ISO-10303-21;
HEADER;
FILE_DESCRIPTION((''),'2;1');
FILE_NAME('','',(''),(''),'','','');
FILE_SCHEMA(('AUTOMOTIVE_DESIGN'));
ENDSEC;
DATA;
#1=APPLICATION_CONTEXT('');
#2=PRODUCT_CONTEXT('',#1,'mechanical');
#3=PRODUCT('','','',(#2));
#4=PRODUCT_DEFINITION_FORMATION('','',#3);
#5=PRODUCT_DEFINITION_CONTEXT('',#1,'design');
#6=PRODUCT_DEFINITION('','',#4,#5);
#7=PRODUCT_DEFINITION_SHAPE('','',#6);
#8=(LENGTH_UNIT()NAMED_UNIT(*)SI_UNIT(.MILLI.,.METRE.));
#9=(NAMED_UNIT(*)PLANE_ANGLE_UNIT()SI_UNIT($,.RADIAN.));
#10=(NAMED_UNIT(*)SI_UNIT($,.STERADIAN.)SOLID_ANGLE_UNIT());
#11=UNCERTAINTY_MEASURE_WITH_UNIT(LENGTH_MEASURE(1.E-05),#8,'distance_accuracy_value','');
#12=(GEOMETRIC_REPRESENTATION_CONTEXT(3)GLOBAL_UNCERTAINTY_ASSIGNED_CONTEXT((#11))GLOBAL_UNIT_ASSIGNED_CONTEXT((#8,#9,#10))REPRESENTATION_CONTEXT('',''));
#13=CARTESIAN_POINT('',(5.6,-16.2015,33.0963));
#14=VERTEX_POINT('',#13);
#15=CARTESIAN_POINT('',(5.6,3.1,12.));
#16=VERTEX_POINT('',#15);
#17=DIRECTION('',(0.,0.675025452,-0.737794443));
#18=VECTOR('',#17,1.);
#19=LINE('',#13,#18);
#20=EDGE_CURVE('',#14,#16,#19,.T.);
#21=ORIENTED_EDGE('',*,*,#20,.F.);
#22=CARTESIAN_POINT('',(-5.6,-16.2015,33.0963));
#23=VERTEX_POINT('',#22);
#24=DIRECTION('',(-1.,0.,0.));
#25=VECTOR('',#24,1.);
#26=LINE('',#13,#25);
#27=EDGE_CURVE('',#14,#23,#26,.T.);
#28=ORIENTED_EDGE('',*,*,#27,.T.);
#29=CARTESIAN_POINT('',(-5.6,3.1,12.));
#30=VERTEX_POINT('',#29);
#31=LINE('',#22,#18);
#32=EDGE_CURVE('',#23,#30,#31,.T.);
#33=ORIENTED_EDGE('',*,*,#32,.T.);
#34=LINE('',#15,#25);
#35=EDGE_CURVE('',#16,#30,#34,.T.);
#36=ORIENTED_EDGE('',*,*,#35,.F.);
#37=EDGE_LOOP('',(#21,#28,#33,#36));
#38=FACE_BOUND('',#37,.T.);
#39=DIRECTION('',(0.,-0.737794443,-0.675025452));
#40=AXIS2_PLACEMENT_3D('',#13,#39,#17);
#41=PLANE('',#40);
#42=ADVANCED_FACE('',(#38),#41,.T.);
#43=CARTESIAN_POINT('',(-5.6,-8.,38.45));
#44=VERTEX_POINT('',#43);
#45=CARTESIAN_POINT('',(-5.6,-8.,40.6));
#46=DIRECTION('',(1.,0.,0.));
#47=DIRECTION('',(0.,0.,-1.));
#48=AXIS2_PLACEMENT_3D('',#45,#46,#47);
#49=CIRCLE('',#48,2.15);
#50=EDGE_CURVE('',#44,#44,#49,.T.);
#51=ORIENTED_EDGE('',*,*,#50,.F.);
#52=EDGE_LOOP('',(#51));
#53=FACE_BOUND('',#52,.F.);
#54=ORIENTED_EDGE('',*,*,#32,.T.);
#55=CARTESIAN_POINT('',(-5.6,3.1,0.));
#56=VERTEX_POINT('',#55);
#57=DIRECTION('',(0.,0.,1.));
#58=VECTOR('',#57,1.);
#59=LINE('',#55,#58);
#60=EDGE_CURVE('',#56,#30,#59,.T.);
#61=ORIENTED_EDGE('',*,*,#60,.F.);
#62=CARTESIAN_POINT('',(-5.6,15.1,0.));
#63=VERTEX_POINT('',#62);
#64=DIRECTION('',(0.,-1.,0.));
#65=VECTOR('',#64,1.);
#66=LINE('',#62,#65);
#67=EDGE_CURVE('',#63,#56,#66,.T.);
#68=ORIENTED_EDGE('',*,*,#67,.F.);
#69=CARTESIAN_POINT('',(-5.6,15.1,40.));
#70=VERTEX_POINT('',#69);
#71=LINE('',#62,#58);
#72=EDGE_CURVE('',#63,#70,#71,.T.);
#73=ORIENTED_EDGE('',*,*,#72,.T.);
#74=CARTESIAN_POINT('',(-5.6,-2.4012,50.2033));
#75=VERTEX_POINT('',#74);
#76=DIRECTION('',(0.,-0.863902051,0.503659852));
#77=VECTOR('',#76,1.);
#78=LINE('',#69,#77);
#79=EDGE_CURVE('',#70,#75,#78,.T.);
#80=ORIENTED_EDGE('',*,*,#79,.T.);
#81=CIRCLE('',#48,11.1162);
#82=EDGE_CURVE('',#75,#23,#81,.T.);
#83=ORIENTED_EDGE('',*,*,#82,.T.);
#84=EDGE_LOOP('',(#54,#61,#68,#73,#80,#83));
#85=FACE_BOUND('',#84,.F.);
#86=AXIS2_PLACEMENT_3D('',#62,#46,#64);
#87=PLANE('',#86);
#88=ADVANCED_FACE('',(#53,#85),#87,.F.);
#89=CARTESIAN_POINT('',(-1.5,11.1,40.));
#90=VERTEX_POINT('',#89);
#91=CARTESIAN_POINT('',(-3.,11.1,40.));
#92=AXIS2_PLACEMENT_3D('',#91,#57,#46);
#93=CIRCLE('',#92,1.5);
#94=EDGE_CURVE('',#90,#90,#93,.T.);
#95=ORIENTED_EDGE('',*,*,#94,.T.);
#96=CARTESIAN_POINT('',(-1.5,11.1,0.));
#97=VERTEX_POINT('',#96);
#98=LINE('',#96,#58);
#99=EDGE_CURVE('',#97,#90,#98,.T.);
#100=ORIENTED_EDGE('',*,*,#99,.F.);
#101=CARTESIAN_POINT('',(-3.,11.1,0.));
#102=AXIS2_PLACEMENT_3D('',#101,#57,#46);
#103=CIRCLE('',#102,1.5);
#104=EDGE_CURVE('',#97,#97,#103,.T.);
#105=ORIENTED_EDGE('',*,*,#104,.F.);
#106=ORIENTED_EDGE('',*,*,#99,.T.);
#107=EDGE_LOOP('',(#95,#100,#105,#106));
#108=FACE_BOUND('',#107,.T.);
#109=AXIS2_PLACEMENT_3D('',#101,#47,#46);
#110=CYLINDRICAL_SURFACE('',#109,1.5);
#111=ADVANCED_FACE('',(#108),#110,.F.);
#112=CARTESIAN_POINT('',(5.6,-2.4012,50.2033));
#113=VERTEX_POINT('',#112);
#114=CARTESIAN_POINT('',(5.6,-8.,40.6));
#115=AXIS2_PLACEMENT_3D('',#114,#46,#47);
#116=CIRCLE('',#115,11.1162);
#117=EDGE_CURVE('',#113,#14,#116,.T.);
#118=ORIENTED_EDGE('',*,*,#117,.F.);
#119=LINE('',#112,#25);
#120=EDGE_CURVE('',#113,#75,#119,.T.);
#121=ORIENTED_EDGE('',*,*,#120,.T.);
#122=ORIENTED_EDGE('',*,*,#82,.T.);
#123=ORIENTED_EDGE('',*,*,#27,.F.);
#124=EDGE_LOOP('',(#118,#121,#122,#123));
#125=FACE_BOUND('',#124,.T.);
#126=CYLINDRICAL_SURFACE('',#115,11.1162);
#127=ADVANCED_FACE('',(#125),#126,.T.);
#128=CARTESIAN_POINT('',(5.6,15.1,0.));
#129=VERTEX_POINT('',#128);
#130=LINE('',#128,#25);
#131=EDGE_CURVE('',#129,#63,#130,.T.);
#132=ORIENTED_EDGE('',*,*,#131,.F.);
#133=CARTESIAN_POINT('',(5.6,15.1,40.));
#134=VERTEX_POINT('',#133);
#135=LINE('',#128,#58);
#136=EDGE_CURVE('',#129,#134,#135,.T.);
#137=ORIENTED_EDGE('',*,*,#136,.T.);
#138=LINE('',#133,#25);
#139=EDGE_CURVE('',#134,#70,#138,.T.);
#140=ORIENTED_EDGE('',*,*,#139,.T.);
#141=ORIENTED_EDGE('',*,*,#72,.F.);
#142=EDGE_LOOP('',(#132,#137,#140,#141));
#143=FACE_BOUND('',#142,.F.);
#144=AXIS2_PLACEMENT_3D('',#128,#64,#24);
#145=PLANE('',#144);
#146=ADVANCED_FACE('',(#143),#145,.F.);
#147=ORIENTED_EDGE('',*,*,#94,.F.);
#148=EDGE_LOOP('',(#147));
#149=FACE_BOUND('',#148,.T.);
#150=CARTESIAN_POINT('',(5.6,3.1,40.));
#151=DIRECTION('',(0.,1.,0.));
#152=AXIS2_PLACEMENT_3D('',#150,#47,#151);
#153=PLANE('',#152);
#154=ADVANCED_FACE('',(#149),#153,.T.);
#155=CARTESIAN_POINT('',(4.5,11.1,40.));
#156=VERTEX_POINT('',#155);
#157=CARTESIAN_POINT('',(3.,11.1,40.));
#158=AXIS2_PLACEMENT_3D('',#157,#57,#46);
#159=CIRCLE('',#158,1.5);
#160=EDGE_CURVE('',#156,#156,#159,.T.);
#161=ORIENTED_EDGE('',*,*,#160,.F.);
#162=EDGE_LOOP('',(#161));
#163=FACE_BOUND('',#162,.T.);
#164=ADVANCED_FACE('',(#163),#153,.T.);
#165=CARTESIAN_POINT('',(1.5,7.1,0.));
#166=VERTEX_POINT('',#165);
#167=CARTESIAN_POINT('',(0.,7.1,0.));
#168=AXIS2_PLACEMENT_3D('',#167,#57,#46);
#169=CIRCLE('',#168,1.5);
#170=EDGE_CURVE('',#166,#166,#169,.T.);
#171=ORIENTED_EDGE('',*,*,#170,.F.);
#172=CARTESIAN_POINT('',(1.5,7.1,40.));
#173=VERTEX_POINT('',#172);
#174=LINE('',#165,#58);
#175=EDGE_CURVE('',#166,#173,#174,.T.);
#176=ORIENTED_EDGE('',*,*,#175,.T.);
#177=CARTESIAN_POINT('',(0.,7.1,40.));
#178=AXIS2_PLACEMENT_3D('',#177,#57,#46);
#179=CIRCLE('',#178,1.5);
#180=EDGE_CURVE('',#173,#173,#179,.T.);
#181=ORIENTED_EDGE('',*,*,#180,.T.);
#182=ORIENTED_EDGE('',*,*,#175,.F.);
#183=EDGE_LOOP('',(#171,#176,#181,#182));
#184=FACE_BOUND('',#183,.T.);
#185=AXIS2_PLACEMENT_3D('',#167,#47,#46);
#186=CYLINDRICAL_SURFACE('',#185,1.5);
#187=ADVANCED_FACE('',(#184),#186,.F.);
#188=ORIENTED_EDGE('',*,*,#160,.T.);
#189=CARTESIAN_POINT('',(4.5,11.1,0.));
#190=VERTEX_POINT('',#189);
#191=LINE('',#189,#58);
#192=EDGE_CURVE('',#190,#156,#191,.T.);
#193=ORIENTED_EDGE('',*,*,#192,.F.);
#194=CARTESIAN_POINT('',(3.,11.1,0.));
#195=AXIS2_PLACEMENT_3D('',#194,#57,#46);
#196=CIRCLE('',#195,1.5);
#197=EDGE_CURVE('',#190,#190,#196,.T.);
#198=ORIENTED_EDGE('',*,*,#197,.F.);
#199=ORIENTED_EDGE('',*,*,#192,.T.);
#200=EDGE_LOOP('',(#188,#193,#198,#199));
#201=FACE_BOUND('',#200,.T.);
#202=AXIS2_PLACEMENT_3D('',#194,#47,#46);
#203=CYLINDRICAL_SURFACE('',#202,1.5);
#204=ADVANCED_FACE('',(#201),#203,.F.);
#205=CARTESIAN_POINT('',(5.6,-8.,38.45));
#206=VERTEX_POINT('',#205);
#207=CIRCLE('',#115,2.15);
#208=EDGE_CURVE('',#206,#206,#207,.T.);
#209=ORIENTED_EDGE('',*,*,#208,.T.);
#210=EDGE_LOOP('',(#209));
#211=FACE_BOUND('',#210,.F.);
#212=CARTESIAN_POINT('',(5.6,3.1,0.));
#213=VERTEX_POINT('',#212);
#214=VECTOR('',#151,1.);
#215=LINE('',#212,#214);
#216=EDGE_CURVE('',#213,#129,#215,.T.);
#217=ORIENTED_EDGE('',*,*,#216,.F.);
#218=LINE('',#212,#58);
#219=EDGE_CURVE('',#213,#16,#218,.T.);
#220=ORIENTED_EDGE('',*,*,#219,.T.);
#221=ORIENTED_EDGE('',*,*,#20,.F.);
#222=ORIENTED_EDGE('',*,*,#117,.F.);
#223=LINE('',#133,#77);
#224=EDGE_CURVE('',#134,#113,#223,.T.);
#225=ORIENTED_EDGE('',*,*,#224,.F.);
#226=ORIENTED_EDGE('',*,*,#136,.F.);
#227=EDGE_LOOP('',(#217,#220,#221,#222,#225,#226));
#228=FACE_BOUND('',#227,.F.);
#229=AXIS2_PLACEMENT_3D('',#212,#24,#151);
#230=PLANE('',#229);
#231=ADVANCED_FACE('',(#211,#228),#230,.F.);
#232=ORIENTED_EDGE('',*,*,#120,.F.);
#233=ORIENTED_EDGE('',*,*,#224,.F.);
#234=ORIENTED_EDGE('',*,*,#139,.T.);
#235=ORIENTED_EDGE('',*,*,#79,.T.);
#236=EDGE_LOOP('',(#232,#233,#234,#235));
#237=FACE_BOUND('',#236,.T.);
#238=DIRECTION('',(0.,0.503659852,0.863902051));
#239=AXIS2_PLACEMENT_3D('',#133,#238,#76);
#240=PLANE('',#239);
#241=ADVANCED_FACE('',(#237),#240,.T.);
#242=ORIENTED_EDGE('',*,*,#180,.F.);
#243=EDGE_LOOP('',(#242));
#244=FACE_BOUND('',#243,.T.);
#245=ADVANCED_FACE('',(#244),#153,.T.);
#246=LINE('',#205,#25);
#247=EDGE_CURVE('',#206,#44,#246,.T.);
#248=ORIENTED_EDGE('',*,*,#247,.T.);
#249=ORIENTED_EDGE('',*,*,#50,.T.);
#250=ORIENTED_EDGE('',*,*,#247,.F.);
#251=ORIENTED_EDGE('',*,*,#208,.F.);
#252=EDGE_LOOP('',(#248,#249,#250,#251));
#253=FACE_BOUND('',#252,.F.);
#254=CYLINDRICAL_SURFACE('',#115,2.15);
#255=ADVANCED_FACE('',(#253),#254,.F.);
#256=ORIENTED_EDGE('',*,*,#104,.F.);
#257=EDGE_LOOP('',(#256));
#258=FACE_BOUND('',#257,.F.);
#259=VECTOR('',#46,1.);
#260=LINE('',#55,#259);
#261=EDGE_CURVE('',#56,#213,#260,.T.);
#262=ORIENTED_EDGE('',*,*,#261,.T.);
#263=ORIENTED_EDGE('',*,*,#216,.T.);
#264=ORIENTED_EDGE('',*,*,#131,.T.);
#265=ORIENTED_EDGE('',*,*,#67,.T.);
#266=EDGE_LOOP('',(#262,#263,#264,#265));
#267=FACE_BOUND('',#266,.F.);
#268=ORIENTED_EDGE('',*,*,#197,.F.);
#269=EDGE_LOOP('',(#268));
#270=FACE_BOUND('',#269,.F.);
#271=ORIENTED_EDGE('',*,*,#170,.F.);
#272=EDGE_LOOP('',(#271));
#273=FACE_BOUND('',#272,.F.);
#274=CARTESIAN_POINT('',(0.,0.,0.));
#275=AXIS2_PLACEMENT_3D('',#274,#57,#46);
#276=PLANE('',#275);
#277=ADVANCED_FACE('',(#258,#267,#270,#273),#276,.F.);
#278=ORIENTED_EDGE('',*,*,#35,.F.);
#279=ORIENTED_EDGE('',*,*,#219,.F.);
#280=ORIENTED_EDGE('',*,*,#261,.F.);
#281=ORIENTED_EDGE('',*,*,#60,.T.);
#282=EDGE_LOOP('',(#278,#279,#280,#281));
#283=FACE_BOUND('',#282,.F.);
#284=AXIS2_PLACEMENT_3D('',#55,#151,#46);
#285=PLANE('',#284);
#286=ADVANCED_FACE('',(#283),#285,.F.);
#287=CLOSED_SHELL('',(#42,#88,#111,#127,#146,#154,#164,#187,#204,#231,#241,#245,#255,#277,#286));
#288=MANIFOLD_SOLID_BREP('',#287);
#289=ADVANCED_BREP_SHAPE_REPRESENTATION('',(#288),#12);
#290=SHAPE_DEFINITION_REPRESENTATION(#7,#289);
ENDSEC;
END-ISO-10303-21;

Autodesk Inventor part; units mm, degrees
ref_plane "YZ Plane" through (0, 0, 0) normal (1, 0, 0) x (0, 1, 0)
ref_plane "XZ Plane" through (0, 0, 0) normal (0, 1, 0) x (-1, 0, 0)
ref_plane "XY Plane" through (0, 0, 0) normal (0, 0, 1) x (1, 0, 0)
ref_plane "Work Plane1" through (0, 0, 0) normal (0, 0, 1) x (1, 0, 0)
sketch "Sketch1" plane through (0, 0, 0) normal (0, 0, 1) x (1, 0, 0)
  circle A0 centre (0, 7.1) radius 1.5 projected
  circle A1 centre (3, 11.1) radius 1.5
  circle A2 centre (-3, 11.1) radius 1.5
  line L0 (-5.8, -25.5252) -> (-5.8, 18.8938) projected
  line L1 (-5.8, 18.8938) -> (5.8, 18.8938) projected
  line L2 (5.8, 18.8938) -> (5.8, -25.5252) projected
  line L3 (-5.6, 3.1) -> (5.6, 3.1)
  line L4 (5.6, 3.1) -> (5.6, 15.1)
  line L5 (5.6, 15.1) -> (-5.6, 15.1)
  line L6 (-5.6, 15.1) -> (-5.6, 3.1)
  line L7 (0, 7.1) -> (0, 6.0369) construction
  point P0 (0, 0)
  dimension "d0" = 0.2
  dimension "d1" = 0.2
  dimension "d3" = 4
  dimension "d4" = 4
  dimension "d10" = 4
  dimension "d11" = 3
  dimension "d12" = 3
extrude "Extrusion1" add sketch "Sketch1" along normal blind 40
sketch "Sketch2" plane through (5.6, 3.1, 0) normal (1, 0, 0) x (0, 0, -1)
  circle A0 centre (-40.6, -11.1) radius 2.05 construction
  line L0 (-40, 0) -> (-40, 12) projected
  circle A1 centre (-40.6, -11.1) radius 11.1162
  line L1 (-40, 12) -> (-50.2033, -5.5012)
  line L2 (0, 0) -> (-40, 0) projected
  circle A2 centre (-40.6, -11.1) radius 2.15
  line L3 (-33.0963, -19.3015) -> (-12, 0)
  point P0 (0, -3.1)
  dimension "d7" = 4.3
  dimension "d14" = 12
extrude "Extrusion2" add sketch "Sketch2" against normal up to surface (11.2 mm away)
properties part number "pivot module stalk"
